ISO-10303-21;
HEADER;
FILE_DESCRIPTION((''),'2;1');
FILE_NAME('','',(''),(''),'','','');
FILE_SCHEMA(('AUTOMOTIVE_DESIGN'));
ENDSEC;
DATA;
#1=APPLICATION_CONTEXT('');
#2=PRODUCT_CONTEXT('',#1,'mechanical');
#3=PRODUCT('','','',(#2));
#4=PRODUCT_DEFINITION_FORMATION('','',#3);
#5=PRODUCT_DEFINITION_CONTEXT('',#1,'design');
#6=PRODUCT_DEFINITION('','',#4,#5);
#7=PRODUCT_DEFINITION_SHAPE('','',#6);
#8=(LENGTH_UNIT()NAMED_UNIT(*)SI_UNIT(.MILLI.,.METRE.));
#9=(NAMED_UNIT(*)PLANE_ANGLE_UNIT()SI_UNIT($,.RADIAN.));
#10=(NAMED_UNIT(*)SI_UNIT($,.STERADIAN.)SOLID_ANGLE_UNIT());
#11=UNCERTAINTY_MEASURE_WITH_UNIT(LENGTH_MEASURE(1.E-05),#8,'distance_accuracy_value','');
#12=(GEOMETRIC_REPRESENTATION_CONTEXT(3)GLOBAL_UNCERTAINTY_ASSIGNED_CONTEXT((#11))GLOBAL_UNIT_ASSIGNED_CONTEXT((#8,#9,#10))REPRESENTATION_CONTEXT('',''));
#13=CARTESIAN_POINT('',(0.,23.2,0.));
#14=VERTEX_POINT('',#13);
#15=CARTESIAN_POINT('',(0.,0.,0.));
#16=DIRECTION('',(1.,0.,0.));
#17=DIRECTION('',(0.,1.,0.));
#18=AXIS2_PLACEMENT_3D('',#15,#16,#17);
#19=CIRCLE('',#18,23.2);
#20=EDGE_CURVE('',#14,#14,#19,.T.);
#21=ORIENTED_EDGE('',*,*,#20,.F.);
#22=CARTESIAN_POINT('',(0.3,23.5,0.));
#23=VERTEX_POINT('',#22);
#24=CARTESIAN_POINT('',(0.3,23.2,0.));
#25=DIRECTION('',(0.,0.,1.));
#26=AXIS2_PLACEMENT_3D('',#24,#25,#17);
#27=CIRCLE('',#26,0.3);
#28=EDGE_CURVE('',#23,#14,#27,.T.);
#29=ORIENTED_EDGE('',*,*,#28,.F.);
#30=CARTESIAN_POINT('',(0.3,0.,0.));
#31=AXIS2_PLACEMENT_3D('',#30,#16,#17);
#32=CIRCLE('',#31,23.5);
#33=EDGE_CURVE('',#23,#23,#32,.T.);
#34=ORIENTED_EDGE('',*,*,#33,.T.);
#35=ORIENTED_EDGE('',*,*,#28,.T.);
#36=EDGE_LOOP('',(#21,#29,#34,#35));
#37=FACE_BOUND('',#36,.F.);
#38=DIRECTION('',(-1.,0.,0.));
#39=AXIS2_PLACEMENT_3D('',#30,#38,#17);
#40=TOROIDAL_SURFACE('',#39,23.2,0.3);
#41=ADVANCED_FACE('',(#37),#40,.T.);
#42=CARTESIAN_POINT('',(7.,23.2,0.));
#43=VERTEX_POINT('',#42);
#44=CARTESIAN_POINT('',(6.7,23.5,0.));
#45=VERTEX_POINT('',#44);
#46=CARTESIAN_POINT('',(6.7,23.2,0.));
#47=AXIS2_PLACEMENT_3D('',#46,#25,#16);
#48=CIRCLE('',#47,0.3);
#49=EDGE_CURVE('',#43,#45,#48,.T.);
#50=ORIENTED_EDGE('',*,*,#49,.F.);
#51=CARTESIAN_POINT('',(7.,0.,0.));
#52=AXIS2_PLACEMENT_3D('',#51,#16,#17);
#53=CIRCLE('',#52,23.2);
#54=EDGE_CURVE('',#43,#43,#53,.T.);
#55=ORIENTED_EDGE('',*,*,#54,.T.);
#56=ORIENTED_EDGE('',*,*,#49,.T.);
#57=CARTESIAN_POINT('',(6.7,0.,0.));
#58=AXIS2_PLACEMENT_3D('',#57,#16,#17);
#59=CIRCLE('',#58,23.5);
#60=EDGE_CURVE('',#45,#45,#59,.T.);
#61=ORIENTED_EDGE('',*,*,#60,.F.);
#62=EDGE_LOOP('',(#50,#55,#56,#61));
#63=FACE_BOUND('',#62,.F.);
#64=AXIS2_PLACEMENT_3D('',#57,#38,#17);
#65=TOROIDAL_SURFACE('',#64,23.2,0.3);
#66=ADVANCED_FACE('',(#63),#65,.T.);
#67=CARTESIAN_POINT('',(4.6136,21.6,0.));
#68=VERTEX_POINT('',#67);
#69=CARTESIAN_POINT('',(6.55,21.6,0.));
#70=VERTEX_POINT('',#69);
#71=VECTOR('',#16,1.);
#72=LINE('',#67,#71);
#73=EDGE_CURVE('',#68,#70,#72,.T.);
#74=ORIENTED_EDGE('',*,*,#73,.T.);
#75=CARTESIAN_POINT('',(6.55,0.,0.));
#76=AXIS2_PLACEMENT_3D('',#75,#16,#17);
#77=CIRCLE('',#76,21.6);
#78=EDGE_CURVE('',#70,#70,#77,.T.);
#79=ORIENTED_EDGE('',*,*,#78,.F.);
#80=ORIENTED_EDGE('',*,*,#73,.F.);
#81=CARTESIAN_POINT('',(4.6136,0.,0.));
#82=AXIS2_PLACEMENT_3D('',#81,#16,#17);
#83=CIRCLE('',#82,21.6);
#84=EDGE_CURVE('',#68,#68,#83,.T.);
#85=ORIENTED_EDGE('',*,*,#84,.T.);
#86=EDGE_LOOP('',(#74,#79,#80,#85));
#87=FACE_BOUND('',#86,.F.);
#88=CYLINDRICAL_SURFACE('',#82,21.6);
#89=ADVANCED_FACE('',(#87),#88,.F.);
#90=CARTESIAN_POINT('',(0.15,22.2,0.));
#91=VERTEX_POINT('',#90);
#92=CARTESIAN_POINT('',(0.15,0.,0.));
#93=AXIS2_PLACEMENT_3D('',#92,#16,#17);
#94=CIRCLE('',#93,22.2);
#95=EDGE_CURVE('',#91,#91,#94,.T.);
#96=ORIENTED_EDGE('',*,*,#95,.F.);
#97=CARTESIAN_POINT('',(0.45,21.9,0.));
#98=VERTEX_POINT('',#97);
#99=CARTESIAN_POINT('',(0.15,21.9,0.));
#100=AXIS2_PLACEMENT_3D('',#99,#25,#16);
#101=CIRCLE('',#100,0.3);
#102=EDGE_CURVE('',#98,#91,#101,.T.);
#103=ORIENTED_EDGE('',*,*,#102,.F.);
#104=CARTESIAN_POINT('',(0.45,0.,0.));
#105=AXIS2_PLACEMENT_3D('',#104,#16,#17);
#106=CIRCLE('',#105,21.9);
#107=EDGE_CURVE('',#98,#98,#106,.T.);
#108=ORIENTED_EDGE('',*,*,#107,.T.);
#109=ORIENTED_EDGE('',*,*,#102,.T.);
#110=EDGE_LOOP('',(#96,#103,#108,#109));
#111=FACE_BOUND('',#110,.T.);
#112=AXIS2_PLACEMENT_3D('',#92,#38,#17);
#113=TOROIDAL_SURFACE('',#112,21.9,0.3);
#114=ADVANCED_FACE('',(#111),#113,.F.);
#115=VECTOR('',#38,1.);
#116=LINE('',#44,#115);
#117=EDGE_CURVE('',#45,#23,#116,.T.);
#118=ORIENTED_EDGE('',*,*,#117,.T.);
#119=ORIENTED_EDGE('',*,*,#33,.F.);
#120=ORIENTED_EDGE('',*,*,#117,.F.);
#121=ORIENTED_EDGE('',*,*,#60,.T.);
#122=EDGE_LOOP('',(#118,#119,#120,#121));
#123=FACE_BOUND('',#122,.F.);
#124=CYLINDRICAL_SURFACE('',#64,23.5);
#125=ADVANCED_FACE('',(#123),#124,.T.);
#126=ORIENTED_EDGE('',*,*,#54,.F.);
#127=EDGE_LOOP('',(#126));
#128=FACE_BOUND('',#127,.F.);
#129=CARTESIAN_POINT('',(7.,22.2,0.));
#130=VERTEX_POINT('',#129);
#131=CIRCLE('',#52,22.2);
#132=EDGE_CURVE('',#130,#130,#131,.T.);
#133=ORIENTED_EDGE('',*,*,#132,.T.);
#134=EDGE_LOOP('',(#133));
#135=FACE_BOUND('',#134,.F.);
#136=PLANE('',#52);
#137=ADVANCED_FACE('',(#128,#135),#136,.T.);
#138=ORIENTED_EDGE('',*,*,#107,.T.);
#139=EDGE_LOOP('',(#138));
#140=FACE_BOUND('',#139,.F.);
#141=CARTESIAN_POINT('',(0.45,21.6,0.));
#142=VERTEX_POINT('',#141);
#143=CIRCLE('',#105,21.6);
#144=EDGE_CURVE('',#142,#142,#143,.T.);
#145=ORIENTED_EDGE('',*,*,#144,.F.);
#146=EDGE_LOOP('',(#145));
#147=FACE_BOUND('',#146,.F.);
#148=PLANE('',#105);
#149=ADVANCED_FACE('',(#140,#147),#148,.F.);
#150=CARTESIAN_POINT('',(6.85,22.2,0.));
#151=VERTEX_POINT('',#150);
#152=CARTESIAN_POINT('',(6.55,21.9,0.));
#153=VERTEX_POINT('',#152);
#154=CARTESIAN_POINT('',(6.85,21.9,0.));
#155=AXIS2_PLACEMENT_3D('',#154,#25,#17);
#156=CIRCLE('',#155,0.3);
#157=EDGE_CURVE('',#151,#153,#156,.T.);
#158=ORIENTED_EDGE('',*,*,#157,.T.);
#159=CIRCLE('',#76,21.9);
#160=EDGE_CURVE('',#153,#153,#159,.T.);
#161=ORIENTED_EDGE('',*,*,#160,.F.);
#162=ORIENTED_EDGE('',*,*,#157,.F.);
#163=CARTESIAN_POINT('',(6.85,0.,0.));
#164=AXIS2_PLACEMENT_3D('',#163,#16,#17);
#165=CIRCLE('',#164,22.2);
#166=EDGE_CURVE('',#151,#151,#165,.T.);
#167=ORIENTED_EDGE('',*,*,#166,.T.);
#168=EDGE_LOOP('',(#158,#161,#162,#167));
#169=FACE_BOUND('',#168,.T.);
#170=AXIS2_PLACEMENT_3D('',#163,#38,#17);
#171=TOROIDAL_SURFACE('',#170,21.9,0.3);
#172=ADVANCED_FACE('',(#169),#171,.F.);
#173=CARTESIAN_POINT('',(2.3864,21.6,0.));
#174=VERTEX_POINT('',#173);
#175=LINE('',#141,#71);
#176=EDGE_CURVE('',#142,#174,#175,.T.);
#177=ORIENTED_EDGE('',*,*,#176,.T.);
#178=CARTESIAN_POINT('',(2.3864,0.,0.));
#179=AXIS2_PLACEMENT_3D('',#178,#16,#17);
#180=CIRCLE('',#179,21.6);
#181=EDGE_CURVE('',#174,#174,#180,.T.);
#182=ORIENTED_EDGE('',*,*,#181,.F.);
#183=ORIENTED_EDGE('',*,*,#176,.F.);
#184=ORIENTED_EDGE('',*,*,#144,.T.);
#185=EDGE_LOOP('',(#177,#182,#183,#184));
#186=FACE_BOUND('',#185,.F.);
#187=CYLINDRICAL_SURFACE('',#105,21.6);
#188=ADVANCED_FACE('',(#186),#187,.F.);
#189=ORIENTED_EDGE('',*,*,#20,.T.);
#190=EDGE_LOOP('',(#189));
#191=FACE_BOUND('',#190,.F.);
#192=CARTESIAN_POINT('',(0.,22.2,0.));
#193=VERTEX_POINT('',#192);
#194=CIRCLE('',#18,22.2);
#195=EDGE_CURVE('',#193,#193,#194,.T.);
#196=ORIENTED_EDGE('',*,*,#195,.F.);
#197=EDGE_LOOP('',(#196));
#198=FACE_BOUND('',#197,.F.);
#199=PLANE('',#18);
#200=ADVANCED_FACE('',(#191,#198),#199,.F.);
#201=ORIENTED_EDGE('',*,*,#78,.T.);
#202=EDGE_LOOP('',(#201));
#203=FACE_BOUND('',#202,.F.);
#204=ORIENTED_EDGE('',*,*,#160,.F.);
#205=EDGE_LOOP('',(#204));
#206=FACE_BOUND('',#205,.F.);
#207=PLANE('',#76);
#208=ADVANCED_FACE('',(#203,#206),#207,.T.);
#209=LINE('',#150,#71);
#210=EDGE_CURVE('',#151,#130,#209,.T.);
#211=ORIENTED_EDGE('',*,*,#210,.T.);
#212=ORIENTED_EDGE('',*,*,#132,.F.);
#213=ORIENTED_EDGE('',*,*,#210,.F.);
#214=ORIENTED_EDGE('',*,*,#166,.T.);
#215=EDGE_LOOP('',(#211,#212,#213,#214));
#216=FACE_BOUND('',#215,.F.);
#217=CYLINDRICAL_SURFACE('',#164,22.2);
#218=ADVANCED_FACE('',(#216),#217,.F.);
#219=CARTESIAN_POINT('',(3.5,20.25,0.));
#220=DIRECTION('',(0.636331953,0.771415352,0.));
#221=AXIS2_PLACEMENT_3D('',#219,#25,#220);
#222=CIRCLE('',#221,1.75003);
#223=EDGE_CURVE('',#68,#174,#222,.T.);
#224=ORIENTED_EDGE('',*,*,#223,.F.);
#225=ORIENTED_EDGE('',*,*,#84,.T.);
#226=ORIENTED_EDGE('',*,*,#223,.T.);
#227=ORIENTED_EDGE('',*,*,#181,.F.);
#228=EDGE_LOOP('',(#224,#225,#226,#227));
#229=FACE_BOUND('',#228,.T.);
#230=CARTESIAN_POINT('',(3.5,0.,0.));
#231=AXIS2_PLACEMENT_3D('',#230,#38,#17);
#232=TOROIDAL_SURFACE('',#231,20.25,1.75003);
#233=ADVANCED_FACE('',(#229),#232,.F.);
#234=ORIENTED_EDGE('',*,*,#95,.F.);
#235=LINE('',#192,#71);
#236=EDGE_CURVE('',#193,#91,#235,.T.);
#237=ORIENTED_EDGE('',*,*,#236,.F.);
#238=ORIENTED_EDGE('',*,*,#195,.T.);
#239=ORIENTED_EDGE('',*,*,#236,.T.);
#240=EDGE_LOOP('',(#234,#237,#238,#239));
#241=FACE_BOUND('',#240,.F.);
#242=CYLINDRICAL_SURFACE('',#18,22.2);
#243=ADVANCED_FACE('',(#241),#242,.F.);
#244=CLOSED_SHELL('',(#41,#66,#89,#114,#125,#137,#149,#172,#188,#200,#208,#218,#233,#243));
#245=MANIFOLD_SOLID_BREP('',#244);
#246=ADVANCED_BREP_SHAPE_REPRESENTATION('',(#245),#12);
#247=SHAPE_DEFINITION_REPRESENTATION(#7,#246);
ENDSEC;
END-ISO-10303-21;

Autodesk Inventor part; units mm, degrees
ref_plane "YZ Plane" through (0, 0, 0) normal (1, 0, 0) x (0, 1, 0)
ref_plane "XZ Plane" through (0, 0, 0) normal (0, 1, 0) x (-1, 0, 0)
ref_plane "XY Plane" through (0, 0, 0) normal (0, 0, 1) x (1, 0, 0)
sketch "Sketch_9" plane through (0, 0, 0) normal (0, 0, 1) x (1, 0, 0)
  line L0 (50, 0) -> (-50, 0)
  line L1 (0, 23.2) -> (0, 22.2)
  line L2 (0, 22.2) -> (0.15, 22.2)
  arc A0 (0.45, 21.9) -> (0.15, 22.2) centre (0.15, 21.9) ccw
  line L3 (0.45, 21.9) -> (0.45, 21.6)
  line L4 (0.45, 21.6) -> (2.3864, 21.6)
  arc A1 (4.6136, 21.6) -> (2.3864, 21.6) centre (3.5, 20.25) ccw
  line L5 (4.6136, 21.6) -> (6.55, 21.6)
  line L6 (6.55, 21.6) -> (6.55, 21.9)
  arc A2 (6.85, 22.2) -> (6.55, 21.9) centre (6.85, 21.9) ccw
  line L7 (6.85, 22.2) -> (7, 22.2)
  line L8 (7, 22.2) -> (7, 23.2)
  arc A3 (7, 23.2) -> (6.7, 23.5) centre (6.7, 23.2) ccw
  line L9 (6.7, 23.5) -> (0.3, 23.5)
  arc A4 (0.3, 23.5) -> (0, 23.2) centre (0.3, 23.2) ccw
revolve "Revolution1" add sketch "Sketch_9" angle 360 about axis through (50, 0, 0) along (1, 0, 0)
properties part number "61807-2RS1_PART2" material "Stainless Steel"
